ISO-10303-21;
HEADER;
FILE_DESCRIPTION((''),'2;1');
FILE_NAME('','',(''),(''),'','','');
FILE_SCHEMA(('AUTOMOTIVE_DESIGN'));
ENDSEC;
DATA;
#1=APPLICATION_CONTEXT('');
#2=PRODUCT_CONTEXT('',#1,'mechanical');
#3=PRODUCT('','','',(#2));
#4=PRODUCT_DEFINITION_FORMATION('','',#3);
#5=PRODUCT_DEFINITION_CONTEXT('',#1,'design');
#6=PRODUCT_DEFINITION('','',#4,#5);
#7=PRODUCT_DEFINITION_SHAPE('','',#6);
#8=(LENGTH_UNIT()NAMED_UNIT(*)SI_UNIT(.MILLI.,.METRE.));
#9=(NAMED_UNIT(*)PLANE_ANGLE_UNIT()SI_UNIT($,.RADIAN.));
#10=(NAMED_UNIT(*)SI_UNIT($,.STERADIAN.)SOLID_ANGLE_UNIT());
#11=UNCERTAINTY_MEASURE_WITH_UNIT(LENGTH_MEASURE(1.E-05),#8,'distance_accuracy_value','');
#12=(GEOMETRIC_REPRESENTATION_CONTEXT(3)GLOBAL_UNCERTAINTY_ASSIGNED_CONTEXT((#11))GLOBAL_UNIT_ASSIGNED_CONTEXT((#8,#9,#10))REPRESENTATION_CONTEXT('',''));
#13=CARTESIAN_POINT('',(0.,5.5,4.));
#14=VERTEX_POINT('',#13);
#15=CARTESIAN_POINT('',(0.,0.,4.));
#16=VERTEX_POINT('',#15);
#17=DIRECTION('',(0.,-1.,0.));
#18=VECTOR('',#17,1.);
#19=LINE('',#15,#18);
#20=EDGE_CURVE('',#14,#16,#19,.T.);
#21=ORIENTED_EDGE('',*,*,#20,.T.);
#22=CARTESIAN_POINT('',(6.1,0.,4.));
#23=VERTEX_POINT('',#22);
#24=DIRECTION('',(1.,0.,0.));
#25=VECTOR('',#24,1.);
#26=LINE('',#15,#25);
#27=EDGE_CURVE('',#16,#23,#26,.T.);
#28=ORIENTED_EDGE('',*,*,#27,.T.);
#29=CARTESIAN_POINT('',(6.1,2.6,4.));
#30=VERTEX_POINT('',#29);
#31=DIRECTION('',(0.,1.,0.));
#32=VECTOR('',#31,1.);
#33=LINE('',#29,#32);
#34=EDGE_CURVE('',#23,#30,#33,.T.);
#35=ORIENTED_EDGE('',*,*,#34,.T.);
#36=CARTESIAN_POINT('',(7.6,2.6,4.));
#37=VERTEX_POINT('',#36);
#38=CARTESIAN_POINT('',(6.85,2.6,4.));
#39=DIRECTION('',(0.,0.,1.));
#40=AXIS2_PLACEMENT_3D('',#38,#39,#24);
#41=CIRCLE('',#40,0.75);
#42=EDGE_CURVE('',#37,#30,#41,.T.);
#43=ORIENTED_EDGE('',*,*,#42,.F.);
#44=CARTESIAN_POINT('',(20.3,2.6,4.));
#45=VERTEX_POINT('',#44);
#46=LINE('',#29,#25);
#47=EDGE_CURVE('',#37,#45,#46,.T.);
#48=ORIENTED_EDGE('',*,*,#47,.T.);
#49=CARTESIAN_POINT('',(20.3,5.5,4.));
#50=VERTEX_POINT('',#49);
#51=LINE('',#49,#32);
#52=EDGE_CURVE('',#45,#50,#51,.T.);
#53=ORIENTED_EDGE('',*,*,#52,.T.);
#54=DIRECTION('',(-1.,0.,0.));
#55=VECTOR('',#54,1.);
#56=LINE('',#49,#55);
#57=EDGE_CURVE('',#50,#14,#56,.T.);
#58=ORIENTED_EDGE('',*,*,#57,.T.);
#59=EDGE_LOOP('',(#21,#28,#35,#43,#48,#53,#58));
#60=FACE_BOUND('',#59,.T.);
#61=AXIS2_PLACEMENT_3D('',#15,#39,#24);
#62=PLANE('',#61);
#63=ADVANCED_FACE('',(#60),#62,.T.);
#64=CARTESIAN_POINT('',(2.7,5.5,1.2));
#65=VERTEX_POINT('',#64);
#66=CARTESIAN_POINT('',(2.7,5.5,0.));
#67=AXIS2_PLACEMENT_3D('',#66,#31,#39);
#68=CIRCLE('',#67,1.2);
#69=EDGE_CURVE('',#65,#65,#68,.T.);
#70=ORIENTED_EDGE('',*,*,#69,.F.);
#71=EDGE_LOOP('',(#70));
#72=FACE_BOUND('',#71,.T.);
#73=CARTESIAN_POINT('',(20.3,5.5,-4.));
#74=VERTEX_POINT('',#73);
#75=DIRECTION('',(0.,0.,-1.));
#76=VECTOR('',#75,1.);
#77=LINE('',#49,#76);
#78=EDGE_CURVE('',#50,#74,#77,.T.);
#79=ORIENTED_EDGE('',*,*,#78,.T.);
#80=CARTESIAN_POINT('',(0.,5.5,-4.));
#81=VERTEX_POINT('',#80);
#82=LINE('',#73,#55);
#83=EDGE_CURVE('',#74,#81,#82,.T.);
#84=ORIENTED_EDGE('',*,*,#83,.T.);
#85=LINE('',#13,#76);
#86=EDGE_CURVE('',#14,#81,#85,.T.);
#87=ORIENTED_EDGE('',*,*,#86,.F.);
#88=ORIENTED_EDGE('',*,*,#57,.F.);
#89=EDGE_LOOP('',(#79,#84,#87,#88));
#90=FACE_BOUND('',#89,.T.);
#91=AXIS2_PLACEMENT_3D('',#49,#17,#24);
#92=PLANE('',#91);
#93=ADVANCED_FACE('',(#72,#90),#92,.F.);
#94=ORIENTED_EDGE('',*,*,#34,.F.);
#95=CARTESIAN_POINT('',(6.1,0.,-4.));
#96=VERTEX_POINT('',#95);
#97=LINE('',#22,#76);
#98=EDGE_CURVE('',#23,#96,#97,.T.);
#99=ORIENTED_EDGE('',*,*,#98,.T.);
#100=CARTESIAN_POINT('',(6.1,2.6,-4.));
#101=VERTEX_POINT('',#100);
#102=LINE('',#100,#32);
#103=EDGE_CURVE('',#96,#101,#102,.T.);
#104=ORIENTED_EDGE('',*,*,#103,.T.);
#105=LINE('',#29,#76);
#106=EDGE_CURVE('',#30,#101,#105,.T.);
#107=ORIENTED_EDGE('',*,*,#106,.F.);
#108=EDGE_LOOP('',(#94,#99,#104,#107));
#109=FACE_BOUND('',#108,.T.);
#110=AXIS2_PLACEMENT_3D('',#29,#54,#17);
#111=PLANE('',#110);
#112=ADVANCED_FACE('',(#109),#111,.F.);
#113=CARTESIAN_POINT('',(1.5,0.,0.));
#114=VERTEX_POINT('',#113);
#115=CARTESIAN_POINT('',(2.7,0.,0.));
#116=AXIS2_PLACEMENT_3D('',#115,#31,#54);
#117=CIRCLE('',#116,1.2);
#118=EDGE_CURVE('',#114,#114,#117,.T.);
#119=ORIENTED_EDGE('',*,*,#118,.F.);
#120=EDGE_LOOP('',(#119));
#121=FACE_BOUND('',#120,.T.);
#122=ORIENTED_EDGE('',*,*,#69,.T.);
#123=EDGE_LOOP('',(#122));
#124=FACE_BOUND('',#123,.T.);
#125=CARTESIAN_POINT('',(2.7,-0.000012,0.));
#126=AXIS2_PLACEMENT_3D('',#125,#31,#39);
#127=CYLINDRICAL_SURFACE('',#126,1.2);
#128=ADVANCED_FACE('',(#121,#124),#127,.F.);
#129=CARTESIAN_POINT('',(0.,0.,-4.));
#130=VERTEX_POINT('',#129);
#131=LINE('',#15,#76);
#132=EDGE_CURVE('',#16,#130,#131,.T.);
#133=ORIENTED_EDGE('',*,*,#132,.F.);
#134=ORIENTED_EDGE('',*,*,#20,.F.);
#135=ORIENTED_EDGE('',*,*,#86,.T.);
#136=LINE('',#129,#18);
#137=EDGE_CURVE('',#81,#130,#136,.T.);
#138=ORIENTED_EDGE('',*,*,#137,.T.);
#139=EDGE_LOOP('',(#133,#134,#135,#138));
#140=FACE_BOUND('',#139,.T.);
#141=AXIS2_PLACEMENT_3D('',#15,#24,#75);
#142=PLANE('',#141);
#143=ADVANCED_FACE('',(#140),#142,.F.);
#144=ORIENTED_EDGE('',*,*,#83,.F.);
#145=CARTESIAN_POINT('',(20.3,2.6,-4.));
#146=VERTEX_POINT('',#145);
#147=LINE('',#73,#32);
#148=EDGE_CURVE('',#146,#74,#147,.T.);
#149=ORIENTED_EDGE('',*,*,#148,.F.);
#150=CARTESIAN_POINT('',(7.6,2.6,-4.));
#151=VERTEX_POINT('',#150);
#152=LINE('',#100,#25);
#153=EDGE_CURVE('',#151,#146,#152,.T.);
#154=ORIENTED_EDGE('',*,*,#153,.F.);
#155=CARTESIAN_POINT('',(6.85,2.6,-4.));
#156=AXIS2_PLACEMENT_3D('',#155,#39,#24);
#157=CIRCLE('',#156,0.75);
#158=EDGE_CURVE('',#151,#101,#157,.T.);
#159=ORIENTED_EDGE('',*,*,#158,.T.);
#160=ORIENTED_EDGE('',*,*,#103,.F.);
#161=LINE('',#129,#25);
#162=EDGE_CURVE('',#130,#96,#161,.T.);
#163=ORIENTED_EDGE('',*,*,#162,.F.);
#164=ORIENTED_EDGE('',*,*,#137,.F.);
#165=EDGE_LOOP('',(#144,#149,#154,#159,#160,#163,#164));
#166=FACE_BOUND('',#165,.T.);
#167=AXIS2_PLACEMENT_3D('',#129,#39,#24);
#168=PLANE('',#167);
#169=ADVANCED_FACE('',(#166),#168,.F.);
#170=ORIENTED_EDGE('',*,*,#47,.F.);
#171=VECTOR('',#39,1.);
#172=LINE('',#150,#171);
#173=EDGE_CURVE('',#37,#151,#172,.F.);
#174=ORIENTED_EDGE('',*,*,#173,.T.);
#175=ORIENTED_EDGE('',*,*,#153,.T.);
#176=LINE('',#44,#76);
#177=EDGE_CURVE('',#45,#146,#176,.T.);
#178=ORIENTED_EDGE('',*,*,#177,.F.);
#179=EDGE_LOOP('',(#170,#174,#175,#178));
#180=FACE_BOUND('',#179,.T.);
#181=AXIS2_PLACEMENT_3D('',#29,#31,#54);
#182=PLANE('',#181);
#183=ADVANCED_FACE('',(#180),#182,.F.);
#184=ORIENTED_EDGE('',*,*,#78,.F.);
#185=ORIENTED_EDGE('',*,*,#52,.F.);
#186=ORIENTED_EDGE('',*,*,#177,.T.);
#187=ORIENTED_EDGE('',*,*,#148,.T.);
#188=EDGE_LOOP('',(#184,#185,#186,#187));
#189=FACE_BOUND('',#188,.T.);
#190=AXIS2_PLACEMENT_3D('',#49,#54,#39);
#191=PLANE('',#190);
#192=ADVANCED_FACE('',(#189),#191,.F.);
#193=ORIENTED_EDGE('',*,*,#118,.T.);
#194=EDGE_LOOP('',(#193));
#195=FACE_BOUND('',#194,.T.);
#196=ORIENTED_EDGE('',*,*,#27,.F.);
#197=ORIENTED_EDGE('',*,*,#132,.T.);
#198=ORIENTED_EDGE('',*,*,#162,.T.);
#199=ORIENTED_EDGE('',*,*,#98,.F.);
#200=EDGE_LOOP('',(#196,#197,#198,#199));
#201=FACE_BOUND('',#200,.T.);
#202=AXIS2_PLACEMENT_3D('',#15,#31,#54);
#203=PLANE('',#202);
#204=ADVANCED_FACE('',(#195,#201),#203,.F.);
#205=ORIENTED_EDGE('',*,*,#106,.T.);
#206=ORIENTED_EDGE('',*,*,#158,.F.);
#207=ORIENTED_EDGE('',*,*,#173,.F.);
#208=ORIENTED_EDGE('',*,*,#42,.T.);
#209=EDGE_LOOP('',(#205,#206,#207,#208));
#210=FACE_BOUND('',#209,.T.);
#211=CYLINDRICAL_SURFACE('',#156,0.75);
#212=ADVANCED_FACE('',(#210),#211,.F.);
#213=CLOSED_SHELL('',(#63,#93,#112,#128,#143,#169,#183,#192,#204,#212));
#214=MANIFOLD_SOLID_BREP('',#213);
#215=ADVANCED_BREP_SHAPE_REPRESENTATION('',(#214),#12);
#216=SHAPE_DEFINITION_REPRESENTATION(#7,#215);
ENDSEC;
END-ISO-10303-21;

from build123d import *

# Parameters (mm, degrees)
BOSS_EXTRUDE2_DEPTH     = 4
SKETCH2_R               = 1.2
CUT_EXTRUDE2_DEPTH      = 6.5
CUT_EXTRUDE2_DEPTH_BACK = 1
SKETCH3_R               = 0.75
CUT_EXTRUDE3_DEPTH      = 5
CUT_EXTRUDE3_DEPTH_BACK = 5


with BuildPart() as part:
    # Sketch1 → Boss-Extrude2 (new body, symmetric)
    with BuildSketch(Plane.XY):
        Polygon((0, 0), (6.1, 0), (6.1, 2.6), (20.3, 2.6), (20.3, 5.5), (0, 5.5), align=None)
    extrude(amount=BOSS_EXTRUDE2_DEPTH, both=True)

    # Sketch2 → Cut-Extrude2 (cut, two sides)
    with BuildSketch(Plane(origin=(0, 0, 0), x_dir=(1, 0, 0), z_dir=(0, 1, 0))) as cut_extrude2_sk:
        with Locations((2.7, 0)):
            Circle(SKETCH2_R)
    extrude(amount=CUT_EXTRUDE2_DEPTH, mode=Mode.SUBTRACT)
    extrude(cut_extrude2_sk.sketch, amount=-CUT_EXTRUDE2_DEPTH_BACK, mode=Mode.SUBTRACT)

    # Sketch3 → Cut-Extrude3 (cut, two sides)
    with BuildSketch(Plane.XY) as cut_extrude3_sk:
        with Locations((6.85, 2.6)):
            Circle(SKETCH3_R)
    extrude(amount=CUT_EXTRUDE3_DEPTH, mode=Mode.SUBTRACT)
    extrude(cut_extrude3_sk.sketch, amount=-CUT_EXTRUDE3_DEPTH_BACK, mode=Mode.SUBTRACT)


solid = part.part
